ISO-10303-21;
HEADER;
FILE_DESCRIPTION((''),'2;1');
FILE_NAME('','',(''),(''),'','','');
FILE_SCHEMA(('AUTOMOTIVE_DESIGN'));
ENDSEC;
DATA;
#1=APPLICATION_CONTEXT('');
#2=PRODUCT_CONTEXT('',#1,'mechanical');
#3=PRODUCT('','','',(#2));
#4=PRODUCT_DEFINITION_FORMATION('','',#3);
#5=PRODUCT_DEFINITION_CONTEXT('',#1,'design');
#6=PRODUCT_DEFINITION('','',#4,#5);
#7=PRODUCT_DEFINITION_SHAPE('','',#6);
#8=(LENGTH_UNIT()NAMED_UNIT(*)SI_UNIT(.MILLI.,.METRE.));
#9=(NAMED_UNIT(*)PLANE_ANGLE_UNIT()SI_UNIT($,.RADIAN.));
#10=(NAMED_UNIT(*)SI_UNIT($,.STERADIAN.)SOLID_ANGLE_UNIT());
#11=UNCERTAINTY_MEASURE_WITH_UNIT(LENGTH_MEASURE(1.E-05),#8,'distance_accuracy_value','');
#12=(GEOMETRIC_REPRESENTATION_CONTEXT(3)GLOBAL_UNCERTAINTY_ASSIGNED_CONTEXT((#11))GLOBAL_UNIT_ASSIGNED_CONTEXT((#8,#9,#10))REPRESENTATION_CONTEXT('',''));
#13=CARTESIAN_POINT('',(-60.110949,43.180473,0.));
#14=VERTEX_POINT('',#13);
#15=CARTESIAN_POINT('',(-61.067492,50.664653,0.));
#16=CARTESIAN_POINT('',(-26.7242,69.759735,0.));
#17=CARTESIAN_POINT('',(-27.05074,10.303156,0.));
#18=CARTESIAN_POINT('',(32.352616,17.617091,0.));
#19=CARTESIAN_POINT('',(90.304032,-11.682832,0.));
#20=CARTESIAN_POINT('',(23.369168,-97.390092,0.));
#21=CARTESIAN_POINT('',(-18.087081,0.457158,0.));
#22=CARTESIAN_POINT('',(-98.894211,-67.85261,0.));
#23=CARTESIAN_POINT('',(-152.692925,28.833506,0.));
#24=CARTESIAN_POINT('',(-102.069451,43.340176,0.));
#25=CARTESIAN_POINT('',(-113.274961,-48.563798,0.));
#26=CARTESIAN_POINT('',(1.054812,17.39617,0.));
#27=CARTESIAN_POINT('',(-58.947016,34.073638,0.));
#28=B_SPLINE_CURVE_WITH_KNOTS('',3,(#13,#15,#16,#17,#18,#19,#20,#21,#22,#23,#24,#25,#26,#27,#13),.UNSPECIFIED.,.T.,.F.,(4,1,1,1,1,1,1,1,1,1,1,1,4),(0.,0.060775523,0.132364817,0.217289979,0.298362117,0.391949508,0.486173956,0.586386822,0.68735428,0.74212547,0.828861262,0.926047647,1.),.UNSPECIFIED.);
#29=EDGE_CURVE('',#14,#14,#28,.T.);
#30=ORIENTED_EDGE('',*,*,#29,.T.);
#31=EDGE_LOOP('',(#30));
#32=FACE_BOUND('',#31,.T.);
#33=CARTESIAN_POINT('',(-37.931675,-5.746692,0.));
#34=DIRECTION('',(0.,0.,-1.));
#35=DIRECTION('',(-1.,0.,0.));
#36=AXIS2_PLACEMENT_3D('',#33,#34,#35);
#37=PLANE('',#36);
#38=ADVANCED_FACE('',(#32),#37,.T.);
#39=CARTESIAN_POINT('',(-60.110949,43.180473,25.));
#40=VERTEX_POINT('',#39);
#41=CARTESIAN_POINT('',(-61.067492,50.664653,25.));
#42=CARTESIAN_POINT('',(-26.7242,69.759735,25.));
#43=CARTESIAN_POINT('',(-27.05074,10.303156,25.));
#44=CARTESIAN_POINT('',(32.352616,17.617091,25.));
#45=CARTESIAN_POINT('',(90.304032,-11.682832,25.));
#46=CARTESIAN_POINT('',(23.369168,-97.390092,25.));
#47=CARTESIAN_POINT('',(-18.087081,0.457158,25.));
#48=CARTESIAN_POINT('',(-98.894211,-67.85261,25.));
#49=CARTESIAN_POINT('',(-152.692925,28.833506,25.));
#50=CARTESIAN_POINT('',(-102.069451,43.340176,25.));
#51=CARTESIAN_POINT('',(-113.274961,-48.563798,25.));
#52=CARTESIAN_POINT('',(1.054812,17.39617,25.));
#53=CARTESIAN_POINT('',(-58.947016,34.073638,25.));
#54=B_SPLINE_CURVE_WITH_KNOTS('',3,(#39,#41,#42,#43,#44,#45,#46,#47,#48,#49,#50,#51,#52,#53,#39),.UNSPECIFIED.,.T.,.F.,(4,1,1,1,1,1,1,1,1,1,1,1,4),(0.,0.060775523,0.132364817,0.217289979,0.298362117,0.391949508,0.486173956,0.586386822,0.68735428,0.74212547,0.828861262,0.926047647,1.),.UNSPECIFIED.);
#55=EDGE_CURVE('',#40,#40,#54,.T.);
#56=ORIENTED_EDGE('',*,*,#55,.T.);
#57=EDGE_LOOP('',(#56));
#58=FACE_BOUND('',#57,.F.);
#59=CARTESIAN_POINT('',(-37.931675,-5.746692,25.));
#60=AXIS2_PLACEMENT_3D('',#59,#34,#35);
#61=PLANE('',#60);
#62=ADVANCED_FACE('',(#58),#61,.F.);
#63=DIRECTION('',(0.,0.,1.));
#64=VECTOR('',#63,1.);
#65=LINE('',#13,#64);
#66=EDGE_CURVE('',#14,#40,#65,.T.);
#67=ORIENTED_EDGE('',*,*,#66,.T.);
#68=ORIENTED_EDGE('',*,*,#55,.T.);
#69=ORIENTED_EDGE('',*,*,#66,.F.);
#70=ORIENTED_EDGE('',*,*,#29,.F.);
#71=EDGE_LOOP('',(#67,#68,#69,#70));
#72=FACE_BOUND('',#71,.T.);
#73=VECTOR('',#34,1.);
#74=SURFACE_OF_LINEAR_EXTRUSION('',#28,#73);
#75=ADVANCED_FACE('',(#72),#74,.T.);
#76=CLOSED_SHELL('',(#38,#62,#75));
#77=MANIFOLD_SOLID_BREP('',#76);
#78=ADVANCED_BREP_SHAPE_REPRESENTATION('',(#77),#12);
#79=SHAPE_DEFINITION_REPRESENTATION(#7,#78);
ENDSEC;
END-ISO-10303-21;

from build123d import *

# Parameters (mm, degrees)
F1_DEPTH = 25


with BuildPart() as f1:
    # F0 (on Top) → F1 (new body)
    with BuildSketch(Plane.XY):
        with BuildLine():
            add(Edge.make_bspline(
                [(-60.1109489799, 43.1804731488), (-61.0674921094, 50.6646526761), (-26.7242001926, 69.7597347754), (-27.0507395508, 10.3031563843), (32.3526155209, 17.6170905316), (90.3040322373, -11.6828323925), (23.3691675602, -97.3900922604), (-18.0870807265, 0.4571577623), (-98.8942107282, -67.8526103261), (-152.6929250948, 28.8335059159), (-102.0694509699, 43.3401762343), (-113.2749606041, -48.563797552), (1.0548120239, 17.3961703034), (-58.947016334, 34.0736377011), (-60.1109489799, 43.1804731488)],
                knots=[0, 0, 0, 0, 0.0607755233, 0.1323648167, 0.2172899786, 0.2983621167, 0.3919495085, 0.4861739561, 0.5863868216, 0.6873542799, 0.7421254701, 0.8288612616, 0.9260476466, 1, 1, 1, 1], degree=3))
        make_face()
    extrude(amount=F1_DEPTH)


solid = f1.part
